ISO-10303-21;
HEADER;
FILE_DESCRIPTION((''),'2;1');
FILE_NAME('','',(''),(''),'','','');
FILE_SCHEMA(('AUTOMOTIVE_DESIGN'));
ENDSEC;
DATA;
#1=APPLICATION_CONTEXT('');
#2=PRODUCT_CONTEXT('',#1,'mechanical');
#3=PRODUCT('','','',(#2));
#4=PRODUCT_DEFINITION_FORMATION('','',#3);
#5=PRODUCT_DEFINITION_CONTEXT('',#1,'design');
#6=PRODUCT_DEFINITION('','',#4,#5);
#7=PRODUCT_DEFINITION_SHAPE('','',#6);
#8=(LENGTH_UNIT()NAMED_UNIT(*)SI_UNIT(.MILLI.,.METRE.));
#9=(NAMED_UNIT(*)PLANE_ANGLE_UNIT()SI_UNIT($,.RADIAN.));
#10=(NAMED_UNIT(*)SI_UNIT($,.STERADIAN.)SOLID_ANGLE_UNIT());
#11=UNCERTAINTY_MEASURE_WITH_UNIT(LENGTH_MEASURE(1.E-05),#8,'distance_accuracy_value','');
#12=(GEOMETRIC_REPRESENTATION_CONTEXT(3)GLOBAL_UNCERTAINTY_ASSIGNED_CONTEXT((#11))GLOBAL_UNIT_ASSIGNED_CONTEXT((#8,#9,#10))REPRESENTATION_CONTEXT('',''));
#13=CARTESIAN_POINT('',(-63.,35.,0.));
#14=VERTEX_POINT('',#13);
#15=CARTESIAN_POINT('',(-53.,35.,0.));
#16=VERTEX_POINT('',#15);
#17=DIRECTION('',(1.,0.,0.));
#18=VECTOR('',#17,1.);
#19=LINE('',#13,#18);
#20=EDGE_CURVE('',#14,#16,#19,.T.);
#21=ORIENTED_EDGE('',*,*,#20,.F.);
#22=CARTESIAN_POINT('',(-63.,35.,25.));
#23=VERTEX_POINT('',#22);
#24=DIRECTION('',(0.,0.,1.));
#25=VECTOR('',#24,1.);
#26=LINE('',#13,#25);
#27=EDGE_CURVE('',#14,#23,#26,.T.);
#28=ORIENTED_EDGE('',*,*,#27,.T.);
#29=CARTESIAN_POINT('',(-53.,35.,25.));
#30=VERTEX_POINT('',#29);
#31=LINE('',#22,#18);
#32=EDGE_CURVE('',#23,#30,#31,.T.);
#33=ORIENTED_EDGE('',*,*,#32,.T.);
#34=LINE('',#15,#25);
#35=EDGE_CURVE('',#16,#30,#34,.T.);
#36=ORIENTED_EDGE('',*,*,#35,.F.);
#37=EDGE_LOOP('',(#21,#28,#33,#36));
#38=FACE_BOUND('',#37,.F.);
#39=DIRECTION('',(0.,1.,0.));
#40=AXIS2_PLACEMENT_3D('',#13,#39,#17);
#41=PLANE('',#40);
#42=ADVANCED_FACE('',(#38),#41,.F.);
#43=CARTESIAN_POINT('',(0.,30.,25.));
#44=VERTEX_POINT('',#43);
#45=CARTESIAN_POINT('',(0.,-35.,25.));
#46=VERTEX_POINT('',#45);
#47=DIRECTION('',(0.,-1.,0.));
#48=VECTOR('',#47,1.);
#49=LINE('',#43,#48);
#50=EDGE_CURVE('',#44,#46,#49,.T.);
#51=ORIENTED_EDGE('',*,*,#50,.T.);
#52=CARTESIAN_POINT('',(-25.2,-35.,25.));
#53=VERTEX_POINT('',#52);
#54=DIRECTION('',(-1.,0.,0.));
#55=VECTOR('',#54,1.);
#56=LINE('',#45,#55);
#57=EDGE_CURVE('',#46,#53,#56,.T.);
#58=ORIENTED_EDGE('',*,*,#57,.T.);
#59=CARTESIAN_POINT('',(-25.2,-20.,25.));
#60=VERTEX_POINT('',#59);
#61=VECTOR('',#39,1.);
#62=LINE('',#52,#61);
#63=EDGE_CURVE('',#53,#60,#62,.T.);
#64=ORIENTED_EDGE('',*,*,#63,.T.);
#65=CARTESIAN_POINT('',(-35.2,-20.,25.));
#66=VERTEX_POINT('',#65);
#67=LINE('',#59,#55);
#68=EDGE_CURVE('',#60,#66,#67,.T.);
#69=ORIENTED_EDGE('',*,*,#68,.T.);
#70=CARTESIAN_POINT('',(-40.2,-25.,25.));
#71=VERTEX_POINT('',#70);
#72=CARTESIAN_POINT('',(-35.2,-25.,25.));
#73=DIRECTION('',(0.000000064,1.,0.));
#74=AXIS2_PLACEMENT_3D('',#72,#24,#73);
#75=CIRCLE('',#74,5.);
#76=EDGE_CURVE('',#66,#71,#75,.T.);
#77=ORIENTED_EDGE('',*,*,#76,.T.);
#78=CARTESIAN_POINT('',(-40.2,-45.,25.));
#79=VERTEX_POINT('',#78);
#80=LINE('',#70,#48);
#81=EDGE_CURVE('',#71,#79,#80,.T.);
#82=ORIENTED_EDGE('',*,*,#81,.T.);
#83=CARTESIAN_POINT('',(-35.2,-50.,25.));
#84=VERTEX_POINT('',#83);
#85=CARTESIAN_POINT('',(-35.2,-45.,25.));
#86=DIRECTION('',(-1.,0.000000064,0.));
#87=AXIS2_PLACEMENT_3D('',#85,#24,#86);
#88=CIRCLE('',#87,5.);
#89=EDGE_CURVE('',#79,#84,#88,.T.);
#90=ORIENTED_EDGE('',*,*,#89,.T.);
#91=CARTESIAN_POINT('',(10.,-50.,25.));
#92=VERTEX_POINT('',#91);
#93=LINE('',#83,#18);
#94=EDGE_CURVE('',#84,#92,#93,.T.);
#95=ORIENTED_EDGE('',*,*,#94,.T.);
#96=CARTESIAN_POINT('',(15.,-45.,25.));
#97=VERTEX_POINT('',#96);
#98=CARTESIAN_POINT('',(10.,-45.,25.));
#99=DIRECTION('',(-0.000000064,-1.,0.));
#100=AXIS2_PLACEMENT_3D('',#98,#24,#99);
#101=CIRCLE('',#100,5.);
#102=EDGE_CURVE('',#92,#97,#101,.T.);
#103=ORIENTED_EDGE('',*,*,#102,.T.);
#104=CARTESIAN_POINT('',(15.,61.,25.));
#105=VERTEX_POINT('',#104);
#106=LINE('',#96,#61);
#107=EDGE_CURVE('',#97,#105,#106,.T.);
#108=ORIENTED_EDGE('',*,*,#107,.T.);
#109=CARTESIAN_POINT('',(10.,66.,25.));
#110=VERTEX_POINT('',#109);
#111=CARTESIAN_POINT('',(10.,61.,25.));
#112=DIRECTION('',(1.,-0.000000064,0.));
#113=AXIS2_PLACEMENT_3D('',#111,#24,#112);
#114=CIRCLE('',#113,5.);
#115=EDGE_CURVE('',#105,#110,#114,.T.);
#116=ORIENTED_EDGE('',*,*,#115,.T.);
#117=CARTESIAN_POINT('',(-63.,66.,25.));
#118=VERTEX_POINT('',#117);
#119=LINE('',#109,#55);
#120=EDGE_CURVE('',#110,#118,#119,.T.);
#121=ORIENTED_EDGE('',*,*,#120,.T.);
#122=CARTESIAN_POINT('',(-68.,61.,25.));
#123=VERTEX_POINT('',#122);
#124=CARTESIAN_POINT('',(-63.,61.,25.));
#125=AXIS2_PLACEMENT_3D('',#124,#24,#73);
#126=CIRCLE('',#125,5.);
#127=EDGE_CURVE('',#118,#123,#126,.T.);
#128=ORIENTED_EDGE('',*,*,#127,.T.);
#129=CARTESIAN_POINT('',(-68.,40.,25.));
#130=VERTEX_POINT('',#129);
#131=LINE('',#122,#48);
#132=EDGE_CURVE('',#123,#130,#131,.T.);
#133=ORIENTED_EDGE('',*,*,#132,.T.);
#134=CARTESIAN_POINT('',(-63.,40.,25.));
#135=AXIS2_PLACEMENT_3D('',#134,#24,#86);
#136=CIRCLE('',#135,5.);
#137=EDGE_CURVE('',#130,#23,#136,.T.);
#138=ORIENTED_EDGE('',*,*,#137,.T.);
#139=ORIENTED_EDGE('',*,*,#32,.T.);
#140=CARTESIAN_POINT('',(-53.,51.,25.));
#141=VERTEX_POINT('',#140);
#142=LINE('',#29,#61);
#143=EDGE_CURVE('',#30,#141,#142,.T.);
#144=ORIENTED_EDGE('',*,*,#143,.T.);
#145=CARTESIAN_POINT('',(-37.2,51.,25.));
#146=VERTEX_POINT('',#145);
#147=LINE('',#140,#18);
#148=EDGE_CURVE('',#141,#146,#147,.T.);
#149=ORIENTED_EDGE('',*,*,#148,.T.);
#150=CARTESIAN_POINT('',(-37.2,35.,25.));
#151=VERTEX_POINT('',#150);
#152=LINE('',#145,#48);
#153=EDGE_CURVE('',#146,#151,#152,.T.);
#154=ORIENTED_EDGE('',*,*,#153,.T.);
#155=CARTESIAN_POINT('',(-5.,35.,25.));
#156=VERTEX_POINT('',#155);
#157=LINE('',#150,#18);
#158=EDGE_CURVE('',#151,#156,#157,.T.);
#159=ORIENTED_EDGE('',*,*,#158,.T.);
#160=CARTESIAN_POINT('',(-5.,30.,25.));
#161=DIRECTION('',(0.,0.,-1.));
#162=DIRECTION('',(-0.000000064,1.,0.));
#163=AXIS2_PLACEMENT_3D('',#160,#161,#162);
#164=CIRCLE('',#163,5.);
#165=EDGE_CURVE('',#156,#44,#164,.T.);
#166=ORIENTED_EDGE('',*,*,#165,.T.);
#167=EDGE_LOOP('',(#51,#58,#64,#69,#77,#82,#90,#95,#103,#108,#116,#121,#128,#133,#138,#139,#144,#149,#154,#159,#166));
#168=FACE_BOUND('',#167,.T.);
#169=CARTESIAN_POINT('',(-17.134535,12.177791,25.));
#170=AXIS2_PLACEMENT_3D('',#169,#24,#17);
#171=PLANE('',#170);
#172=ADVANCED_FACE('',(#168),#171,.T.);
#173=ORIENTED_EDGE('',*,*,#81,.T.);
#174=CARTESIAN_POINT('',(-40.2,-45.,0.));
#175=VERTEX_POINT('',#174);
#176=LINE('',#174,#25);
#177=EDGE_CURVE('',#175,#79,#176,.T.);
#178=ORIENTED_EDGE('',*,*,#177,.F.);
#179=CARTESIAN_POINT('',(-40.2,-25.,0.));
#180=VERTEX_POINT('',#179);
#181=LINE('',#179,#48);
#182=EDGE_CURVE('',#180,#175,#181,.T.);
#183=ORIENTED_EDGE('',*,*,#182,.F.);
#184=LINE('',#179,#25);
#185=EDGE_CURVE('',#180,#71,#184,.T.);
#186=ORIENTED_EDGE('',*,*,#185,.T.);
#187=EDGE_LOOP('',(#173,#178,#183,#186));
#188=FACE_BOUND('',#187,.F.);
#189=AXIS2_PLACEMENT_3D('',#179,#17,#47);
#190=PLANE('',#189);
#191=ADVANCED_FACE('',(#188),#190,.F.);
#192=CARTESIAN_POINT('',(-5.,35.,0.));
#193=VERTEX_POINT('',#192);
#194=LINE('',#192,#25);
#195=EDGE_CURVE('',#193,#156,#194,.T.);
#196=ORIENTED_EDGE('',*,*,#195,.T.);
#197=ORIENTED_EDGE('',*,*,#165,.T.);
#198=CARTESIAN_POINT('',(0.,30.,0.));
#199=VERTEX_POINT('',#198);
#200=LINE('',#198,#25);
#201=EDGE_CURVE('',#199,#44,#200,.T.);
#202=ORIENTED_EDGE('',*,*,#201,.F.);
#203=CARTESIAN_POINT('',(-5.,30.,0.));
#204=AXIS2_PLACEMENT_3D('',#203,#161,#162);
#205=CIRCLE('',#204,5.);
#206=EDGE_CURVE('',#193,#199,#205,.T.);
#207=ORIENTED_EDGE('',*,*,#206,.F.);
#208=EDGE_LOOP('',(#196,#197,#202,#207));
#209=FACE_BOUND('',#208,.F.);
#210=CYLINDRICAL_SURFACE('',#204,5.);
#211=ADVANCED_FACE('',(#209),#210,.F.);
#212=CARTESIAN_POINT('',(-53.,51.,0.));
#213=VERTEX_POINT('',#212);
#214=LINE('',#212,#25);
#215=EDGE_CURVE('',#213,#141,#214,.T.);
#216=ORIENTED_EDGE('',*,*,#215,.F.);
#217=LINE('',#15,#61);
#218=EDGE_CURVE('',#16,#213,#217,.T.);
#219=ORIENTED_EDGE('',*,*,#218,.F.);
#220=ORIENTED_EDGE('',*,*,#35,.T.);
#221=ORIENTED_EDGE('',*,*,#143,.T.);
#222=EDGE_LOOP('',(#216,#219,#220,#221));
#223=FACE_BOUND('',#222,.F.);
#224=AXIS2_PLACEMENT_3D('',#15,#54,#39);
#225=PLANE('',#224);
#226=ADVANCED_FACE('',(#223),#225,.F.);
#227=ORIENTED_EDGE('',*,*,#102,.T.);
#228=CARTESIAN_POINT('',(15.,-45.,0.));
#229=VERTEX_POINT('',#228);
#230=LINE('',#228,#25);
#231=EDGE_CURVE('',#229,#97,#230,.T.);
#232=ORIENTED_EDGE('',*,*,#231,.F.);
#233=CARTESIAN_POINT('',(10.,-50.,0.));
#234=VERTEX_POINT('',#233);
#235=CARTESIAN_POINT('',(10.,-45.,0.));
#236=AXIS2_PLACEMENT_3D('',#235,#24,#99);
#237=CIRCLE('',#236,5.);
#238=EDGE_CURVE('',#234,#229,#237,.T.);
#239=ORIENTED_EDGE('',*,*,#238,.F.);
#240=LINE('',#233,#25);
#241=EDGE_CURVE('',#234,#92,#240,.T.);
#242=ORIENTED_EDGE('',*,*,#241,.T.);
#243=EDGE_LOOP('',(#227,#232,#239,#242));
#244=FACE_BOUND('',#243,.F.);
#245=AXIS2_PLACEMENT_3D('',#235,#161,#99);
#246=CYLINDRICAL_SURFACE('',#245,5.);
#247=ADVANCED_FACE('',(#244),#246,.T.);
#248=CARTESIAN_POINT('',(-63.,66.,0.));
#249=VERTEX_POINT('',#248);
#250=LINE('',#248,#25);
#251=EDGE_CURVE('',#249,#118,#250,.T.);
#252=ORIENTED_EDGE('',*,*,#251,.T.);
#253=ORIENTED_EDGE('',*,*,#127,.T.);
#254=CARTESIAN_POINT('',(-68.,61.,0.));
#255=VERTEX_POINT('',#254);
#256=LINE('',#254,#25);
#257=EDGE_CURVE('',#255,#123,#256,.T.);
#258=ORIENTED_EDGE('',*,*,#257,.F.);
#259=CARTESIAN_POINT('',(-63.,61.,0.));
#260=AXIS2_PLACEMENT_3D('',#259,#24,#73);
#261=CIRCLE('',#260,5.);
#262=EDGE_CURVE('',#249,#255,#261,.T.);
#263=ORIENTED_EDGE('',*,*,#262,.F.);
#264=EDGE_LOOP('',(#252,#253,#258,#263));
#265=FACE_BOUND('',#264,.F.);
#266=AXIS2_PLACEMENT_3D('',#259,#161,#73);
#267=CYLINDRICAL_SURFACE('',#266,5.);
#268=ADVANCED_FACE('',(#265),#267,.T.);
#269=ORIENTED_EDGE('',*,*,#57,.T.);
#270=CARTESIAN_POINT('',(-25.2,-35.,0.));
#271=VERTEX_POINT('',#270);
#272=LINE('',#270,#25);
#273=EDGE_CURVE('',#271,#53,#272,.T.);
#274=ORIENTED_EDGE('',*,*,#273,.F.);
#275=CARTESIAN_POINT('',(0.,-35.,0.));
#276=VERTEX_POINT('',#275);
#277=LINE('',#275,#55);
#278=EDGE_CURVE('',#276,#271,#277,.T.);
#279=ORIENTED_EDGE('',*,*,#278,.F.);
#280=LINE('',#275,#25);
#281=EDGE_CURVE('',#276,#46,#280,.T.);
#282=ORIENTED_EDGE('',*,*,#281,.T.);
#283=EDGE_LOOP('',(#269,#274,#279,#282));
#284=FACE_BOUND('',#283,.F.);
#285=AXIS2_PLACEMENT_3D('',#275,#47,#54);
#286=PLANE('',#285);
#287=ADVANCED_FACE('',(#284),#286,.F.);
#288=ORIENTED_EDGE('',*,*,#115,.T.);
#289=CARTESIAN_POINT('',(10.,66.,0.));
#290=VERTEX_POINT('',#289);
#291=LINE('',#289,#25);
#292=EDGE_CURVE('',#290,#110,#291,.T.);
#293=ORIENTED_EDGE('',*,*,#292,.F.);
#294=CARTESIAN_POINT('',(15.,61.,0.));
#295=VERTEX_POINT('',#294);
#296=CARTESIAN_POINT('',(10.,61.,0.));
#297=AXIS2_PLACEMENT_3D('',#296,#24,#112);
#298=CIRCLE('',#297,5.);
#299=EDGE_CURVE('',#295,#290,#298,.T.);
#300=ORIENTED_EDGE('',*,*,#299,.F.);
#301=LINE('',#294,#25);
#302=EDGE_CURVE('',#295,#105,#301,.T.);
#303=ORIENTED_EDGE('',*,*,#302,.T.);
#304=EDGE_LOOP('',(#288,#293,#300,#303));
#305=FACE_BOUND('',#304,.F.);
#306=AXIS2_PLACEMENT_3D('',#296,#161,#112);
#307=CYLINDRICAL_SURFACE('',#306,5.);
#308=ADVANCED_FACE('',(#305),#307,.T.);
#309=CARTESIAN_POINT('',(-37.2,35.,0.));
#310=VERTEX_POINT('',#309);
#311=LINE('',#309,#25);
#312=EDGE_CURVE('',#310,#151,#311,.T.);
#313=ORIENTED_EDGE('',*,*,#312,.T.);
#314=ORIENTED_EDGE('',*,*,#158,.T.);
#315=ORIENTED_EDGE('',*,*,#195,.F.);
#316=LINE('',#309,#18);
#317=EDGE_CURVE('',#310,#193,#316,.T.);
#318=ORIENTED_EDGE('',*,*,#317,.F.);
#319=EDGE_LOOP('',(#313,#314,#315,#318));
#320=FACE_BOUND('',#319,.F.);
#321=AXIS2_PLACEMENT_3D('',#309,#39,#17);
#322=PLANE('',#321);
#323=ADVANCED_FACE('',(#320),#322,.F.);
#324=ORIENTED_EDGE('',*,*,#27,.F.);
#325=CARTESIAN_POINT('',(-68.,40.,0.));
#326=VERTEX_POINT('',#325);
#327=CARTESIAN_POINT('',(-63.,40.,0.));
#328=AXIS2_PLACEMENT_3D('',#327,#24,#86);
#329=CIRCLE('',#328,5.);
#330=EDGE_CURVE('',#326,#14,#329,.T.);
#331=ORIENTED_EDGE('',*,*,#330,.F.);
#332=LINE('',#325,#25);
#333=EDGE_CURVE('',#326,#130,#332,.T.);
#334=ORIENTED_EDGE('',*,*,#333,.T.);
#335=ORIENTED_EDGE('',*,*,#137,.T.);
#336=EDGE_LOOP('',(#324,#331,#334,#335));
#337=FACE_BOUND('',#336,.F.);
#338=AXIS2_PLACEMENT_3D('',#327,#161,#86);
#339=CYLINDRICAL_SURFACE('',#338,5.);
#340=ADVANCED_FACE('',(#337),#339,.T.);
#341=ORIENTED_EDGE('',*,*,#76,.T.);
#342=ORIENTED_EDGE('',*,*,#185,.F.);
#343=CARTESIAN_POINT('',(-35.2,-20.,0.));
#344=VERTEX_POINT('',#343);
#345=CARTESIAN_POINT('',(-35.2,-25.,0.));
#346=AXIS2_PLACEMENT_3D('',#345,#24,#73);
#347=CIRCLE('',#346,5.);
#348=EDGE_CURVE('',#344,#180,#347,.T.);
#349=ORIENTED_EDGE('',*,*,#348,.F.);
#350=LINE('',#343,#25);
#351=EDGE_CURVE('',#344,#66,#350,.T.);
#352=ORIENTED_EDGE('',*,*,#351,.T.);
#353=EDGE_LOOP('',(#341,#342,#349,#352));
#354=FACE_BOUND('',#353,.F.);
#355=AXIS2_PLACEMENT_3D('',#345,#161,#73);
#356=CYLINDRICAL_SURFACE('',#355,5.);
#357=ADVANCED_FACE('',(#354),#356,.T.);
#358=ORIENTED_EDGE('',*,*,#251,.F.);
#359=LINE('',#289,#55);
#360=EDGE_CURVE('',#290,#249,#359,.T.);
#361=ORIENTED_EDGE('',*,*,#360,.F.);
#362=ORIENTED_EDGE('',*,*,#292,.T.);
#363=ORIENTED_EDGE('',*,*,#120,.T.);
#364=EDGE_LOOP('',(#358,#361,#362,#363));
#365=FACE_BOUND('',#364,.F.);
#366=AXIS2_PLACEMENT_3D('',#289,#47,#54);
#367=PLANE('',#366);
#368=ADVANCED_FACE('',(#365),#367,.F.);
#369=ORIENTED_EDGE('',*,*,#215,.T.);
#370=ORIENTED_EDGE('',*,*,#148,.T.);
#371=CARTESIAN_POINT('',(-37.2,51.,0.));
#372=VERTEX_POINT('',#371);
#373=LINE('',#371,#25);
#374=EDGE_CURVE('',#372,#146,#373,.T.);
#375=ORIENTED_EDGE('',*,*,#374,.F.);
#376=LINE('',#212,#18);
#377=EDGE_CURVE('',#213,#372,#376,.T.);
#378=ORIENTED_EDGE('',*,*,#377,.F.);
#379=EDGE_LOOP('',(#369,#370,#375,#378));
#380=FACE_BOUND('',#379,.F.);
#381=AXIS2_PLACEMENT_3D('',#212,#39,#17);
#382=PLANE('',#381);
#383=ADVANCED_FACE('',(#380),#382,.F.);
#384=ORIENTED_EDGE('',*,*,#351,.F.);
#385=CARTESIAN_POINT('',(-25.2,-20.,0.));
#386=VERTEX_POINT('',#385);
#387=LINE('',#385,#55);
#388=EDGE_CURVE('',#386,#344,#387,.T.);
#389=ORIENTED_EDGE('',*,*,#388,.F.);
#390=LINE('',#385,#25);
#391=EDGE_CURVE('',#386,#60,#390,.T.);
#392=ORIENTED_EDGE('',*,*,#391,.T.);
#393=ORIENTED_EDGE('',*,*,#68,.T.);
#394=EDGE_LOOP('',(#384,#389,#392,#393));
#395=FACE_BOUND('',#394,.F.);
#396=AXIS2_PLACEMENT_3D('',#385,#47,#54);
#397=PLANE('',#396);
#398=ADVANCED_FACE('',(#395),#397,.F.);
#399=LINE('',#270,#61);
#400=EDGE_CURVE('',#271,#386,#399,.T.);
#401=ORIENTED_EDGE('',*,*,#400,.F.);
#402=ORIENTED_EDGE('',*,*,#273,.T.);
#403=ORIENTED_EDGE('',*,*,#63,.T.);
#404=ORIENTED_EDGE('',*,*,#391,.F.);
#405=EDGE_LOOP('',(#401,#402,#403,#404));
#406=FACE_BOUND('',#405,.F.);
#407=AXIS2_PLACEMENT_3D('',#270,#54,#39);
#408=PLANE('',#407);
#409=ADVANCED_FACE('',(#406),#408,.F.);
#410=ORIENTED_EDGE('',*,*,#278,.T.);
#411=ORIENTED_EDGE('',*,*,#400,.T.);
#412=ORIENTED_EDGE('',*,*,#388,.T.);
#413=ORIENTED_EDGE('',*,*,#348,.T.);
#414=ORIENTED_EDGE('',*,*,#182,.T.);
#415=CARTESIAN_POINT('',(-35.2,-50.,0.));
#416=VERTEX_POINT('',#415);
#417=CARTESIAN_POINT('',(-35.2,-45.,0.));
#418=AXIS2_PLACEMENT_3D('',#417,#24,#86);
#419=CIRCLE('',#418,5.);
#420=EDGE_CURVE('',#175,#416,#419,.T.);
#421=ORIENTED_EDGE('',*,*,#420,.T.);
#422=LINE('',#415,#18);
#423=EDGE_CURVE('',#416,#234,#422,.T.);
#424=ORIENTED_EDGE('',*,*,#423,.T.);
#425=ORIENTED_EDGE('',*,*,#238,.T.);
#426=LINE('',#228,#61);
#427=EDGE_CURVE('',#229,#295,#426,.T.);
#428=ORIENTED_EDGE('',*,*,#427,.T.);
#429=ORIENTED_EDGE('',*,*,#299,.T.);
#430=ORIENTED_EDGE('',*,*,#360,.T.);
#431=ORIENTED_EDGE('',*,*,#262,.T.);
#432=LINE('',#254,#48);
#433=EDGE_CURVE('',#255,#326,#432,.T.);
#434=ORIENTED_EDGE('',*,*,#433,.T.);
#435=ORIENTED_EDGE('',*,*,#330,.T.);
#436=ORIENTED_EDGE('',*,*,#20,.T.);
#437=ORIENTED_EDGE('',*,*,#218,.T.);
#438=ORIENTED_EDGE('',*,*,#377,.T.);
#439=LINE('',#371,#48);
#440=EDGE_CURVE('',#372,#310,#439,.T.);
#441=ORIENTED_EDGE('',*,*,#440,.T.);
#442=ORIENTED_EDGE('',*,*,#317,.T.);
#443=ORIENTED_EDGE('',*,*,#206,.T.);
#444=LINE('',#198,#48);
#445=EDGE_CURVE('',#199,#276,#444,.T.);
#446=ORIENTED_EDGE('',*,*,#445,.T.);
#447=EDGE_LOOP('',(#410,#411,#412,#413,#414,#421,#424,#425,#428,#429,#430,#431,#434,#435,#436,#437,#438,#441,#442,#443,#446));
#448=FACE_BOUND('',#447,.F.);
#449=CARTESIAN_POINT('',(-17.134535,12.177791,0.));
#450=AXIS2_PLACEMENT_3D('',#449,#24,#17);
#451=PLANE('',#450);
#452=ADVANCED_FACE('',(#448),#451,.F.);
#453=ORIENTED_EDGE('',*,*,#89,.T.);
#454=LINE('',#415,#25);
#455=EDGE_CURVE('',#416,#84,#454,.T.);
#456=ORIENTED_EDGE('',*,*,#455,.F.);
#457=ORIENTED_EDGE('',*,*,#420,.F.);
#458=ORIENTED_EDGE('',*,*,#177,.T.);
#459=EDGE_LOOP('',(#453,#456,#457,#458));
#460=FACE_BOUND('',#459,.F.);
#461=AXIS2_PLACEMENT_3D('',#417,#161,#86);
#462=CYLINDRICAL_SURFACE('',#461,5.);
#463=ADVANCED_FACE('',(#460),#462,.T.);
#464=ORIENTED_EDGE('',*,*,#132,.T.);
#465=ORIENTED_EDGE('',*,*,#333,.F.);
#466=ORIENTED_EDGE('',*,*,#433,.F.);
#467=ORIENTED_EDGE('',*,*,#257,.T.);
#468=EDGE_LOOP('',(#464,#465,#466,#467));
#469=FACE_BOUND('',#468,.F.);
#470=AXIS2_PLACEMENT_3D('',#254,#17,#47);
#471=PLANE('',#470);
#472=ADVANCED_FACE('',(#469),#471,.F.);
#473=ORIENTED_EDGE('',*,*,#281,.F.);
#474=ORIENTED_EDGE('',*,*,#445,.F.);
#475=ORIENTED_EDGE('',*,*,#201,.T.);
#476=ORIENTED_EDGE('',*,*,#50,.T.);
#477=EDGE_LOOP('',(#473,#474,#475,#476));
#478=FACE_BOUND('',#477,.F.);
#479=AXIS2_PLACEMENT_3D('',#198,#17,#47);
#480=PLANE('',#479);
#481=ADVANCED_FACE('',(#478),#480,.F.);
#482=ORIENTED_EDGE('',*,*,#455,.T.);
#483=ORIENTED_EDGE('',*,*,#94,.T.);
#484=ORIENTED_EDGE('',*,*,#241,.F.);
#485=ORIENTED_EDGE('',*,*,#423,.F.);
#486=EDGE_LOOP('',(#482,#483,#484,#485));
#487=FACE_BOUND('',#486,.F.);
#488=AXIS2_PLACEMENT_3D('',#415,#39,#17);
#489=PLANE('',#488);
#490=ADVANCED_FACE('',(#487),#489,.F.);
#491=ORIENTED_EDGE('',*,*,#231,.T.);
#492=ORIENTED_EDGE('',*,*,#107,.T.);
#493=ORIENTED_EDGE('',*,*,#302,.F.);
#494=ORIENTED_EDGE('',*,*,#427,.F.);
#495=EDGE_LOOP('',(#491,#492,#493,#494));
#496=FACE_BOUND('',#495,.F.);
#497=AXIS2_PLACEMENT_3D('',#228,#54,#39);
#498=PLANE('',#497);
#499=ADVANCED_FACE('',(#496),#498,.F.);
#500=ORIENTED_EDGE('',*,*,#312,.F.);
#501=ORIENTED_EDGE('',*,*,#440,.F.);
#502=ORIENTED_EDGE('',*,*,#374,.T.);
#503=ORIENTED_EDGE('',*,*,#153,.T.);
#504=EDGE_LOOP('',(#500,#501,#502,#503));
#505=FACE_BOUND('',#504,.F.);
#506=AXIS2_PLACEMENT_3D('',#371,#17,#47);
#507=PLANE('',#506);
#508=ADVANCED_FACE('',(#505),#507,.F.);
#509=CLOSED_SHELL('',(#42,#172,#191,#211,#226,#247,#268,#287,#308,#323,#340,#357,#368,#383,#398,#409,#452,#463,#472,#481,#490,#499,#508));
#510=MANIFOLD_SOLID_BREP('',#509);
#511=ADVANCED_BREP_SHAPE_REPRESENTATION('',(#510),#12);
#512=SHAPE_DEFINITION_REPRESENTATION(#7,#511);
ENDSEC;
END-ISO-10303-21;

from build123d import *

# Parameters (mm, degrees)
F1_DEPTH = 25


with BuildPart() as f1:
    # F0 (on Top) → F1 (new body)
    with BuildSketch(Plane.XY):
        with BuildLine():
            Line((-63, 35), (-53, 35))
            Line((-53, 35), (-53, 51))
            Line((-53, 51), (-37.2, 51))
            Line((-37.2, 51), (-37.2, 35))
            Line((-37.2, 35), (-5, 35))
            ThreePointArc((-5, 35), (-1.464466, 33.535534), (0, 30))
            Line((0, 30), (0, -35))
            Line((0, -35), (-25.2, -35))
            Line((-25.2, -35), (-25.2, -20))
            Line((-25.2, -20), (-35.2, -20))
            ThreePointArc((-35.2, -20), (-38.735534, -21.464466), (-40.2, -25))
            Line((-40.2, -25), (-40.2, -45))
            ThreePointArc((-40.2, -45), (-38.735534, -48.535534), (-35.2, -50))
            Line((-35.2, -50), (10, -50))
            ThreePointArc((10, -50), (13.535534, -48.535534), (15, -45))
            Line((15, -45), (15, 61))
            ThreePointArc((15, 61), (13.535534, 64.535534), (10, 66))
            Line((10, 66), (-63, 66))
            ThreePointArc((-63, 66), (-66.535534, 64.535534), (-68, 61))
            Line((-68, 61), (-68, 40))
            ThreePointArc((-68, 40), (-66.535534, 36.464466), (-63, 35))
        make_face()
    extrude(amount=F1_DEPTH)


solid = f1.part
